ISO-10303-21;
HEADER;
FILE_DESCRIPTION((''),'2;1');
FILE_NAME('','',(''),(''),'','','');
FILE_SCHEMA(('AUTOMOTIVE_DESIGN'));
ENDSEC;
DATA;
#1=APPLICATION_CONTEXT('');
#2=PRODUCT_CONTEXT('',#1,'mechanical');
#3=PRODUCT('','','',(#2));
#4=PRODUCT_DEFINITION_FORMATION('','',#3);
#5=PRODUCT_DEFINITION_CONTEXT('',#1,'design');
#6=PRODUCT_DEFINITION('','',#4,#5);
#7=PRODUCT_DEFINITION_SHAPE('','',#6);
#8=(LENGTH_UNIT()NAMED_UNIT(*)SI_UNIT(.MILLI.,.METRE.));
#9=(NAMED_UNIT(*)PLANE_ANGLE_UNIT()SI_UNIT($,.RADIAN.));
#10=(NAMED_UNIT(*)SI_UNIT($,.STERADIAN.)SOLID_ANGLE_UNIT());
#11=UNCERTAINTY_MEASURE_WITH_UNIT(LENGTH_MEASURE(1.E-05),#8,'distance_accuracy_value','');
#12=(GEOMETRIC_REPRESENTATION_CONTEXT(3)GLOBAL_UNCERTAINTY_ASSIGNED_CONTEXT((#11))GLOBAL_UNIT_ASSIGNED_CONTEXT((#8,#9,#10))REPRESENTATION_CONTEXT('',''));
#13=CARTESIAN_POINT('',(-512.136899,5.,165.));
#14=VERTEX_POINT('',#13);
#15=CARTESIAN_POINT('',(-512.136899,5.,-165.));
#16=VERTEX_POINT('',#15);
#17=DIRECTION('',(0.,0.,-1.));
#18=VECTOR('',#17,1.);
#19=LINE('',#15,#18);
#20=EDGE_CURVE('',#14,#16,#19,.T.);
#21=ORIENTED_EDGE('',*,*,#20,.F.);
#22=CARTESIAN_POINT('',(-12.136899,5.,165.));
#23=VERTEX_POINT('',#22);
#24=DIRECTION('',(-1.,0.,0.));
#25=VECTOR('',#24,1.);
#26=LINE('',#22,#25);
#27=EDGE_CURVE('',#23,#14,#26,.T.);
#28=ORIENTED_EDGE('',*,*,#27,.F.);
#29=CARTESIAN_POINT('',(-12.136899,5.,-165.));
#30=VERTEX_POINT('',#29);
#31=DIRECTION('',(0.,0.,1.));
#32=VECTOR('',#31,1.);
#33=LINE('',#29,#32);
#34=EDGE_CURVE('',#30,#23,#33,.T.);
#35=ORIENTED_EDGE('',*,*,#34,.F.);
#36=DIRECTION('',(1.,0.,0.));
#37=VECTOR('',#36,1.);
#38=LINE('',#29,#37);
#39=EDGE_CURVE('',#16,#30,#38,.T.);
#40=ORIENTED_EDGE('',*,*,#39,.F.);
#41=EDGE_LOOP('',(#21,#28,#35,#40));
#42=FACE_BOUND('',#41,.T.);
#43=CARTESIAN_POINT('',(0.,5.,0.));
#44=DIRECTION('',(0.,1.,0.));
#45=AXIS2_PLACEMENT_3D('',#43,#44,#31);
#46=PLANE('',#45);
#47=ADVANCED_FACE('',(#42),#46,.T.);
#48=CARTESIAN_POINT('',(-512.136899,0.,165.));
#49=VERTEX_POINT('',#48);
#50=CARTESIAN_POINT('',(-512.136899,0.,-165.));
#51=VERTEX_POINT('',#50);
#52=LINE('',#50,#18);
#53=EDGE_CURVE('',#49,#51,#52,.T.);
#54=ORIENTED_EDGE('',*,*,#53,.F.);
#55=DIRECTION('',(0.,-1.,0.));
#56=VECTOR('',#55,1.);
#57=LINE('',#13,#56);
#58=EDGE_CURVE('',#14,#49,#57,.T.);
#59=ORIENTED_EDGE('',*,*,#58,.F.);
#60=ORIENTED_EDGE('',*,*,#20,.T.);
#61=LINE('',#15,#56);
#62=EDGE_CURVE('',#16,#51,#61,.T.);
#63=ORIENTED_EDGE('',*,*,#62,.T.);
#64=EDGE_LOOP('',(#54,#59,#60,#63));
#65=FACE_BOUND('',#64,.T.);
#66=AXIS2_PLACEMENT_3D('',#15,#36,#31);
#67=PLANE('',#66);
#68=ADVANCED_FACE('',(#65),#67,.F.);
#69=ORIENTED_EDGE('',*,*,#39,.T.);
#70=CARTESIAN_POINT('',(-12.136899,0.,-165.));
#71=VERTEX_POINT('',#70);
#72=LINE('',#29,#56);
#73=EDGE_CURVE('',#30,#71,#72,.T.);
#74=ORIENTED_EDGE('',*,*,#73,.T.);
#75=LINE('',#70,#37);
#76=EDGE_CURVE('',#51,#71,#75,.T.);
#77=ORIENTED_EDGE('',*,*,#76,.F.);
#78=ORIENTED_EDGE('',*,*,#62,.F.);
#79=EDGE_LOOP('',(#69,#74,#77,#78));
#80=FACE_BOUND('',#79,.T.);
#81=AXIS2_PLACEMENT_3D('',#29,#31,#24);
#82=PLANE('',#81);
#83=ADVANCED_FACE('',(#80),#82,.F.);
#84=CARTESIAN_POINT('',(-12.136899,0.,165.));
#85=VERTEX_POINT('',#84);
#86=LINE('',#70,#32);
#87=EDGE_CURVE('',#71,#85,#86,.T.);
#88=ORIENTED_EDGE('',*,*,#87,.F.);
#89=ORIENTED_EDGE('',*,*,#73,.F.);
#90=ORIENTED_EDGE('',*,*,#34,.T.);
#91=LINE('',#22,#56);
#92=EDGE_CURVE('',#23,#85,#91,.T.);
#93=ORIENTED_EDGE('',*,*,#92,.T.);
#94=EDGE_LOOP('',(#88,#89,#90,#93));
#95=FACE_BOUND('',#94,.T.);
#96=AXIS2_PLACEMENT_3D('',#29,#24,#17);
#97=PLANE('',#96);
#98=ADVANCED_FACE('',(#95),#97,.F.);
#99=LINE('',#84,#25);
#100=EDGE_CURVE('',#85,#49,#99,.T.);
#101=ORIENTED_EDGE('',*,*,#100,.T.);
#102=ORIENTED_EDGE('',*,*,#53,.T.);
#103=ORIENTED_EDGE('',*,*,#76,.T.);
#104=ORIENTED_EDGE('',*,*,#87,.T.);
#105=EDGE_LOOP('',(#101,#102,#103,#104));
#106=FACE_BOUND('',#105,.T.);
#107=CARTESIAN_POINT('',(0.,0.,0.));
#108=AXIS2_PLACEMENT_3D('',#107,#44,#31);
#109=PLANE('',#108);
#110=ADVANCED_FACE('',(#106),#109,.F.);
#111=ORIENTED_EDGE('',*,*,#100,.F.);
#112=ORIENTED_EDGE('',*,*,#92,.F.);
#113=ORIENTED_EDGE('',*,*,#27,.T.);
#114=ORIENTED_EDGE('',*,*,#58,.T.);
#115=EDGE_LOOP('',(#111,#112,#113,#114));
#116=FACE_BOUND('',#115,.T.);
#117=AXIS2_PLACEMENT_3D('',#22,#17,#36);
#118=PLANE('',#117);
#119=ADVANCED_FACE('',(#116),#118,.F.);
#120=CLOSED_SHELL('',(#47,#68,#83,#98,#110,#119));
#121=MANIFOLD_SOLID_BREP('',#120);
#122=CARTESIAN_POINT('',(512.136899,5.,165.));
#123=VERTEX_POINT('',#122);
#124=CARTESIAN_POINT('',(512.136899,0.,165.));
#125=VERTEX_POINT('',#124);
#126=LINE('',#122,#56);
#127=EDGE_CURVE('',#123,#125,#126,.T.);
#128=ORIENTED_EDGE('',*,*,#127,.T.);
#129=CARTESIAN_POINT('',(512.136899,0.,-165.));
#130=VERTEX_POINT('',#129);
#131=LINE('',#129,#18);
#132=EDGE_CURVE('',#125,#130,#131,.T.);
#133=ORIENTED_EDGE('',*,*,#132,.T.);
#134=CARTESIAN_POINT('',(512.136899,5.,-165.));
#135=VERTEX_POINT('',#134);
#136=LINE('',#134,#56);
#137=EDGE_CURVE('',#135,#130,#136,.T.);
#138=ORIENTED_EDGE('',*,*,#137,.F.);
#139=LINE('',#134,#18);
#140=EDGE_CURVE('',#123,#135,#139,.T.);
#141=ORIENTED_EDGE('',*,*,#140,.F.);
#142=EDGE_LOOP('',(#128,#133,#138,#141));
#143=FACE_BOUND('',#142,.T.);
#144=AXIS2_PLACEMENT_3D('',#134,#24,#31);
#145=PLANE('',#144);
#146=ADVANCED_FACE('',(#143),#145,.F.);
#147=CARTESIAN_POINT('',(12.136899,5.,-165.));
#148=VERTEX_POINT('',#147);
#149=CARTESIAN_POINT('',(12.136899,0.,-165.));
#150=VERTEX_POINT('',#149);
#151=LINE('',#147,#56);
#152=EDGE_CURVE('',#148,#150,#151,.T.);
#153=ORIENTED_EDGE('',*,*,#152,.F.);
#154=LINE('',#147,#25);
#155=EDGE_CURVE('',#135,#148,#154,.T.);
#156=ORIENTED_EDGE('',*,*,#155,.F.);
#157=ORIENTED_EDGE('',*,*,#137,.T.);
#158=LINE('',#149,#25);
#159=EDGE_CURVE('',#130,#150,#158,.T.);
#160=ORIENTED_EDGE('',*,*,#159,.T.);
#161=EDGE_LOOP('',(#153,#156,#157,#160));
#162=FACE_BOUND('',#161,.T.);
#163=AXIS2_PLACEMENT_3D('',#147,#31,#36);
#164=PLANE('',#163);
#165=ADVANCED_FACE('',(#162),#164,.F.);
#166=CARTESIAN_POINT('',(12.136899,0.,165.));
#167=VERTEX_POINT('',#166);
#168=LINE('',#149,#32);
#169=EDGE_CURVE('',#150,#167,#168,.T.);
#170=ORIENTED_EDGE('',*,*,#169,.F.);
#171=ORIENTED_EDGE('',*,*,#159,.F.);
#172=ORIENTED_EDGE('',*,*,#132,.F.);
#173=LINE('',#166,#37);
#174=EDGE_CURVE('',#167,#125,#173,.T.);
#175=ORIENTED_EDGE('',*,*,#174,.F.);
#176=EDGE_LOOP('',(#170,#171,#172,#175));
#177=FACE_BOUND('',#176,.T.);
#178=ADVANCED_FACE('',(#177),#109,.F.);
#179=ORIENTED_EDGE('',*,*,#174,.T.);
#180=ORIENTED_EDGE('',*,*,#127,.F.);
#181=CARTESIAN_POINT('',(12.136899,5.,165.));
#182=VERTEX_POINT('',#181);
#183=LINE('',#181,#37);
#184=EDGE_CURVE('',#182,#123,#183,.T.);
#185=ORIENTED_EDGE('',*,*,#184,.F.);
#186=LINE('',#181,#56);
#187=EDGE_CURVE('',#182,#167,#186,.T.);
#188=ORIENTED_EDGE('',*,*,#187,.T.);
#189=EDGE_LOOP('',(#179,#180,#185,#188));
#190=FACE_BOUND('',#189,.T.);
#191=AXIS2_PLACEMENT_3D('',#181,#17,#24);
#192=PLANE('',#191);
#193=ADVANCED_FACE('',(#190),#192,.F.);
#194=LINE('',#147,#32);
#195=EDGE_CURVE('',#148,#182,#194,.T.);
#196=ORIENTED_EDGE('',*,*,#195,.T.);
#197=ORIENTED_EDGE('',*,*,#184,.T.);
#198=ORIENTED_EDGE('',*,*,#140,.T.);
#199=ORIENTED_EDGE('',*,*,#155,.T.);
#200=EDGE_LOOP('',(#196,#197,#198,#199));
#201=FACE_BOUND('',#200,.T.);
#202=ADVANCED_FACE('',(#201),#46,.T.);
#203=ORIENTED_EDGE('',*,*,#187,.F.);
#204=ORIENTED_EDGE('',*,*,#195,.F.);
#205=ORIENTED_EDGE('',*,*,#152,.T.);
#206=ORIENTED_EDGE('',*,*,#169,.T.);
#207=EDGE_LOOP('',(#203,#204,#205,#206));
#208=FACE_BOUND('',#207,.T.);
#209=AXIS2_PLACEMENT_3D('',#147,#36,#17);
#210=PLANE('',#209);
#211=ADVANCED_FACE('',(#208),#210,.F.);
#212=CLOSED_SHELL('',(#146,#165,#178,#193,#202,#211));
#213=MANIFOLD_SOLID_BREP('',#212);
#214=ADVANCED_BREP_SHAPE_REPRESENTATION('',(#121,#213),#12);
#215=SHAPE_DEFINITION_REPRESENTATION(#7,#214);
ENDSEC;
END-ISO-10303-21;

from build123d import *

# Parameters (mm, degrees)
SKETCH1_W           = 500
SKETCH1_H           = 330
BOSS_EXTRUDE1_DEPTH = 5


with BuildPart() as part:
    # Sketch1 → Boss-Extrude1 (new body)
    with BuildSketch(Plane(origin=(0, 0, 0), x_dir=(1, 0, 0), z_dir=(0, 1, 0))):
        with Locations((262.136899299, 0)):
            Rectangle(SKETCH1_W, SKETCH1_H)
    extrude(amount=BOSS_EXTRUDE1_DEPTH)


with BuildPart() as body_2:
    # Mirror3: mirrored copy
    add(part.part.mirror(Plane(origin=(0, 0, 0), x_dir=(0, 0, 1), z_dir=(1, 0, 0))))


solid = Compound([part.part, body_2.part])
